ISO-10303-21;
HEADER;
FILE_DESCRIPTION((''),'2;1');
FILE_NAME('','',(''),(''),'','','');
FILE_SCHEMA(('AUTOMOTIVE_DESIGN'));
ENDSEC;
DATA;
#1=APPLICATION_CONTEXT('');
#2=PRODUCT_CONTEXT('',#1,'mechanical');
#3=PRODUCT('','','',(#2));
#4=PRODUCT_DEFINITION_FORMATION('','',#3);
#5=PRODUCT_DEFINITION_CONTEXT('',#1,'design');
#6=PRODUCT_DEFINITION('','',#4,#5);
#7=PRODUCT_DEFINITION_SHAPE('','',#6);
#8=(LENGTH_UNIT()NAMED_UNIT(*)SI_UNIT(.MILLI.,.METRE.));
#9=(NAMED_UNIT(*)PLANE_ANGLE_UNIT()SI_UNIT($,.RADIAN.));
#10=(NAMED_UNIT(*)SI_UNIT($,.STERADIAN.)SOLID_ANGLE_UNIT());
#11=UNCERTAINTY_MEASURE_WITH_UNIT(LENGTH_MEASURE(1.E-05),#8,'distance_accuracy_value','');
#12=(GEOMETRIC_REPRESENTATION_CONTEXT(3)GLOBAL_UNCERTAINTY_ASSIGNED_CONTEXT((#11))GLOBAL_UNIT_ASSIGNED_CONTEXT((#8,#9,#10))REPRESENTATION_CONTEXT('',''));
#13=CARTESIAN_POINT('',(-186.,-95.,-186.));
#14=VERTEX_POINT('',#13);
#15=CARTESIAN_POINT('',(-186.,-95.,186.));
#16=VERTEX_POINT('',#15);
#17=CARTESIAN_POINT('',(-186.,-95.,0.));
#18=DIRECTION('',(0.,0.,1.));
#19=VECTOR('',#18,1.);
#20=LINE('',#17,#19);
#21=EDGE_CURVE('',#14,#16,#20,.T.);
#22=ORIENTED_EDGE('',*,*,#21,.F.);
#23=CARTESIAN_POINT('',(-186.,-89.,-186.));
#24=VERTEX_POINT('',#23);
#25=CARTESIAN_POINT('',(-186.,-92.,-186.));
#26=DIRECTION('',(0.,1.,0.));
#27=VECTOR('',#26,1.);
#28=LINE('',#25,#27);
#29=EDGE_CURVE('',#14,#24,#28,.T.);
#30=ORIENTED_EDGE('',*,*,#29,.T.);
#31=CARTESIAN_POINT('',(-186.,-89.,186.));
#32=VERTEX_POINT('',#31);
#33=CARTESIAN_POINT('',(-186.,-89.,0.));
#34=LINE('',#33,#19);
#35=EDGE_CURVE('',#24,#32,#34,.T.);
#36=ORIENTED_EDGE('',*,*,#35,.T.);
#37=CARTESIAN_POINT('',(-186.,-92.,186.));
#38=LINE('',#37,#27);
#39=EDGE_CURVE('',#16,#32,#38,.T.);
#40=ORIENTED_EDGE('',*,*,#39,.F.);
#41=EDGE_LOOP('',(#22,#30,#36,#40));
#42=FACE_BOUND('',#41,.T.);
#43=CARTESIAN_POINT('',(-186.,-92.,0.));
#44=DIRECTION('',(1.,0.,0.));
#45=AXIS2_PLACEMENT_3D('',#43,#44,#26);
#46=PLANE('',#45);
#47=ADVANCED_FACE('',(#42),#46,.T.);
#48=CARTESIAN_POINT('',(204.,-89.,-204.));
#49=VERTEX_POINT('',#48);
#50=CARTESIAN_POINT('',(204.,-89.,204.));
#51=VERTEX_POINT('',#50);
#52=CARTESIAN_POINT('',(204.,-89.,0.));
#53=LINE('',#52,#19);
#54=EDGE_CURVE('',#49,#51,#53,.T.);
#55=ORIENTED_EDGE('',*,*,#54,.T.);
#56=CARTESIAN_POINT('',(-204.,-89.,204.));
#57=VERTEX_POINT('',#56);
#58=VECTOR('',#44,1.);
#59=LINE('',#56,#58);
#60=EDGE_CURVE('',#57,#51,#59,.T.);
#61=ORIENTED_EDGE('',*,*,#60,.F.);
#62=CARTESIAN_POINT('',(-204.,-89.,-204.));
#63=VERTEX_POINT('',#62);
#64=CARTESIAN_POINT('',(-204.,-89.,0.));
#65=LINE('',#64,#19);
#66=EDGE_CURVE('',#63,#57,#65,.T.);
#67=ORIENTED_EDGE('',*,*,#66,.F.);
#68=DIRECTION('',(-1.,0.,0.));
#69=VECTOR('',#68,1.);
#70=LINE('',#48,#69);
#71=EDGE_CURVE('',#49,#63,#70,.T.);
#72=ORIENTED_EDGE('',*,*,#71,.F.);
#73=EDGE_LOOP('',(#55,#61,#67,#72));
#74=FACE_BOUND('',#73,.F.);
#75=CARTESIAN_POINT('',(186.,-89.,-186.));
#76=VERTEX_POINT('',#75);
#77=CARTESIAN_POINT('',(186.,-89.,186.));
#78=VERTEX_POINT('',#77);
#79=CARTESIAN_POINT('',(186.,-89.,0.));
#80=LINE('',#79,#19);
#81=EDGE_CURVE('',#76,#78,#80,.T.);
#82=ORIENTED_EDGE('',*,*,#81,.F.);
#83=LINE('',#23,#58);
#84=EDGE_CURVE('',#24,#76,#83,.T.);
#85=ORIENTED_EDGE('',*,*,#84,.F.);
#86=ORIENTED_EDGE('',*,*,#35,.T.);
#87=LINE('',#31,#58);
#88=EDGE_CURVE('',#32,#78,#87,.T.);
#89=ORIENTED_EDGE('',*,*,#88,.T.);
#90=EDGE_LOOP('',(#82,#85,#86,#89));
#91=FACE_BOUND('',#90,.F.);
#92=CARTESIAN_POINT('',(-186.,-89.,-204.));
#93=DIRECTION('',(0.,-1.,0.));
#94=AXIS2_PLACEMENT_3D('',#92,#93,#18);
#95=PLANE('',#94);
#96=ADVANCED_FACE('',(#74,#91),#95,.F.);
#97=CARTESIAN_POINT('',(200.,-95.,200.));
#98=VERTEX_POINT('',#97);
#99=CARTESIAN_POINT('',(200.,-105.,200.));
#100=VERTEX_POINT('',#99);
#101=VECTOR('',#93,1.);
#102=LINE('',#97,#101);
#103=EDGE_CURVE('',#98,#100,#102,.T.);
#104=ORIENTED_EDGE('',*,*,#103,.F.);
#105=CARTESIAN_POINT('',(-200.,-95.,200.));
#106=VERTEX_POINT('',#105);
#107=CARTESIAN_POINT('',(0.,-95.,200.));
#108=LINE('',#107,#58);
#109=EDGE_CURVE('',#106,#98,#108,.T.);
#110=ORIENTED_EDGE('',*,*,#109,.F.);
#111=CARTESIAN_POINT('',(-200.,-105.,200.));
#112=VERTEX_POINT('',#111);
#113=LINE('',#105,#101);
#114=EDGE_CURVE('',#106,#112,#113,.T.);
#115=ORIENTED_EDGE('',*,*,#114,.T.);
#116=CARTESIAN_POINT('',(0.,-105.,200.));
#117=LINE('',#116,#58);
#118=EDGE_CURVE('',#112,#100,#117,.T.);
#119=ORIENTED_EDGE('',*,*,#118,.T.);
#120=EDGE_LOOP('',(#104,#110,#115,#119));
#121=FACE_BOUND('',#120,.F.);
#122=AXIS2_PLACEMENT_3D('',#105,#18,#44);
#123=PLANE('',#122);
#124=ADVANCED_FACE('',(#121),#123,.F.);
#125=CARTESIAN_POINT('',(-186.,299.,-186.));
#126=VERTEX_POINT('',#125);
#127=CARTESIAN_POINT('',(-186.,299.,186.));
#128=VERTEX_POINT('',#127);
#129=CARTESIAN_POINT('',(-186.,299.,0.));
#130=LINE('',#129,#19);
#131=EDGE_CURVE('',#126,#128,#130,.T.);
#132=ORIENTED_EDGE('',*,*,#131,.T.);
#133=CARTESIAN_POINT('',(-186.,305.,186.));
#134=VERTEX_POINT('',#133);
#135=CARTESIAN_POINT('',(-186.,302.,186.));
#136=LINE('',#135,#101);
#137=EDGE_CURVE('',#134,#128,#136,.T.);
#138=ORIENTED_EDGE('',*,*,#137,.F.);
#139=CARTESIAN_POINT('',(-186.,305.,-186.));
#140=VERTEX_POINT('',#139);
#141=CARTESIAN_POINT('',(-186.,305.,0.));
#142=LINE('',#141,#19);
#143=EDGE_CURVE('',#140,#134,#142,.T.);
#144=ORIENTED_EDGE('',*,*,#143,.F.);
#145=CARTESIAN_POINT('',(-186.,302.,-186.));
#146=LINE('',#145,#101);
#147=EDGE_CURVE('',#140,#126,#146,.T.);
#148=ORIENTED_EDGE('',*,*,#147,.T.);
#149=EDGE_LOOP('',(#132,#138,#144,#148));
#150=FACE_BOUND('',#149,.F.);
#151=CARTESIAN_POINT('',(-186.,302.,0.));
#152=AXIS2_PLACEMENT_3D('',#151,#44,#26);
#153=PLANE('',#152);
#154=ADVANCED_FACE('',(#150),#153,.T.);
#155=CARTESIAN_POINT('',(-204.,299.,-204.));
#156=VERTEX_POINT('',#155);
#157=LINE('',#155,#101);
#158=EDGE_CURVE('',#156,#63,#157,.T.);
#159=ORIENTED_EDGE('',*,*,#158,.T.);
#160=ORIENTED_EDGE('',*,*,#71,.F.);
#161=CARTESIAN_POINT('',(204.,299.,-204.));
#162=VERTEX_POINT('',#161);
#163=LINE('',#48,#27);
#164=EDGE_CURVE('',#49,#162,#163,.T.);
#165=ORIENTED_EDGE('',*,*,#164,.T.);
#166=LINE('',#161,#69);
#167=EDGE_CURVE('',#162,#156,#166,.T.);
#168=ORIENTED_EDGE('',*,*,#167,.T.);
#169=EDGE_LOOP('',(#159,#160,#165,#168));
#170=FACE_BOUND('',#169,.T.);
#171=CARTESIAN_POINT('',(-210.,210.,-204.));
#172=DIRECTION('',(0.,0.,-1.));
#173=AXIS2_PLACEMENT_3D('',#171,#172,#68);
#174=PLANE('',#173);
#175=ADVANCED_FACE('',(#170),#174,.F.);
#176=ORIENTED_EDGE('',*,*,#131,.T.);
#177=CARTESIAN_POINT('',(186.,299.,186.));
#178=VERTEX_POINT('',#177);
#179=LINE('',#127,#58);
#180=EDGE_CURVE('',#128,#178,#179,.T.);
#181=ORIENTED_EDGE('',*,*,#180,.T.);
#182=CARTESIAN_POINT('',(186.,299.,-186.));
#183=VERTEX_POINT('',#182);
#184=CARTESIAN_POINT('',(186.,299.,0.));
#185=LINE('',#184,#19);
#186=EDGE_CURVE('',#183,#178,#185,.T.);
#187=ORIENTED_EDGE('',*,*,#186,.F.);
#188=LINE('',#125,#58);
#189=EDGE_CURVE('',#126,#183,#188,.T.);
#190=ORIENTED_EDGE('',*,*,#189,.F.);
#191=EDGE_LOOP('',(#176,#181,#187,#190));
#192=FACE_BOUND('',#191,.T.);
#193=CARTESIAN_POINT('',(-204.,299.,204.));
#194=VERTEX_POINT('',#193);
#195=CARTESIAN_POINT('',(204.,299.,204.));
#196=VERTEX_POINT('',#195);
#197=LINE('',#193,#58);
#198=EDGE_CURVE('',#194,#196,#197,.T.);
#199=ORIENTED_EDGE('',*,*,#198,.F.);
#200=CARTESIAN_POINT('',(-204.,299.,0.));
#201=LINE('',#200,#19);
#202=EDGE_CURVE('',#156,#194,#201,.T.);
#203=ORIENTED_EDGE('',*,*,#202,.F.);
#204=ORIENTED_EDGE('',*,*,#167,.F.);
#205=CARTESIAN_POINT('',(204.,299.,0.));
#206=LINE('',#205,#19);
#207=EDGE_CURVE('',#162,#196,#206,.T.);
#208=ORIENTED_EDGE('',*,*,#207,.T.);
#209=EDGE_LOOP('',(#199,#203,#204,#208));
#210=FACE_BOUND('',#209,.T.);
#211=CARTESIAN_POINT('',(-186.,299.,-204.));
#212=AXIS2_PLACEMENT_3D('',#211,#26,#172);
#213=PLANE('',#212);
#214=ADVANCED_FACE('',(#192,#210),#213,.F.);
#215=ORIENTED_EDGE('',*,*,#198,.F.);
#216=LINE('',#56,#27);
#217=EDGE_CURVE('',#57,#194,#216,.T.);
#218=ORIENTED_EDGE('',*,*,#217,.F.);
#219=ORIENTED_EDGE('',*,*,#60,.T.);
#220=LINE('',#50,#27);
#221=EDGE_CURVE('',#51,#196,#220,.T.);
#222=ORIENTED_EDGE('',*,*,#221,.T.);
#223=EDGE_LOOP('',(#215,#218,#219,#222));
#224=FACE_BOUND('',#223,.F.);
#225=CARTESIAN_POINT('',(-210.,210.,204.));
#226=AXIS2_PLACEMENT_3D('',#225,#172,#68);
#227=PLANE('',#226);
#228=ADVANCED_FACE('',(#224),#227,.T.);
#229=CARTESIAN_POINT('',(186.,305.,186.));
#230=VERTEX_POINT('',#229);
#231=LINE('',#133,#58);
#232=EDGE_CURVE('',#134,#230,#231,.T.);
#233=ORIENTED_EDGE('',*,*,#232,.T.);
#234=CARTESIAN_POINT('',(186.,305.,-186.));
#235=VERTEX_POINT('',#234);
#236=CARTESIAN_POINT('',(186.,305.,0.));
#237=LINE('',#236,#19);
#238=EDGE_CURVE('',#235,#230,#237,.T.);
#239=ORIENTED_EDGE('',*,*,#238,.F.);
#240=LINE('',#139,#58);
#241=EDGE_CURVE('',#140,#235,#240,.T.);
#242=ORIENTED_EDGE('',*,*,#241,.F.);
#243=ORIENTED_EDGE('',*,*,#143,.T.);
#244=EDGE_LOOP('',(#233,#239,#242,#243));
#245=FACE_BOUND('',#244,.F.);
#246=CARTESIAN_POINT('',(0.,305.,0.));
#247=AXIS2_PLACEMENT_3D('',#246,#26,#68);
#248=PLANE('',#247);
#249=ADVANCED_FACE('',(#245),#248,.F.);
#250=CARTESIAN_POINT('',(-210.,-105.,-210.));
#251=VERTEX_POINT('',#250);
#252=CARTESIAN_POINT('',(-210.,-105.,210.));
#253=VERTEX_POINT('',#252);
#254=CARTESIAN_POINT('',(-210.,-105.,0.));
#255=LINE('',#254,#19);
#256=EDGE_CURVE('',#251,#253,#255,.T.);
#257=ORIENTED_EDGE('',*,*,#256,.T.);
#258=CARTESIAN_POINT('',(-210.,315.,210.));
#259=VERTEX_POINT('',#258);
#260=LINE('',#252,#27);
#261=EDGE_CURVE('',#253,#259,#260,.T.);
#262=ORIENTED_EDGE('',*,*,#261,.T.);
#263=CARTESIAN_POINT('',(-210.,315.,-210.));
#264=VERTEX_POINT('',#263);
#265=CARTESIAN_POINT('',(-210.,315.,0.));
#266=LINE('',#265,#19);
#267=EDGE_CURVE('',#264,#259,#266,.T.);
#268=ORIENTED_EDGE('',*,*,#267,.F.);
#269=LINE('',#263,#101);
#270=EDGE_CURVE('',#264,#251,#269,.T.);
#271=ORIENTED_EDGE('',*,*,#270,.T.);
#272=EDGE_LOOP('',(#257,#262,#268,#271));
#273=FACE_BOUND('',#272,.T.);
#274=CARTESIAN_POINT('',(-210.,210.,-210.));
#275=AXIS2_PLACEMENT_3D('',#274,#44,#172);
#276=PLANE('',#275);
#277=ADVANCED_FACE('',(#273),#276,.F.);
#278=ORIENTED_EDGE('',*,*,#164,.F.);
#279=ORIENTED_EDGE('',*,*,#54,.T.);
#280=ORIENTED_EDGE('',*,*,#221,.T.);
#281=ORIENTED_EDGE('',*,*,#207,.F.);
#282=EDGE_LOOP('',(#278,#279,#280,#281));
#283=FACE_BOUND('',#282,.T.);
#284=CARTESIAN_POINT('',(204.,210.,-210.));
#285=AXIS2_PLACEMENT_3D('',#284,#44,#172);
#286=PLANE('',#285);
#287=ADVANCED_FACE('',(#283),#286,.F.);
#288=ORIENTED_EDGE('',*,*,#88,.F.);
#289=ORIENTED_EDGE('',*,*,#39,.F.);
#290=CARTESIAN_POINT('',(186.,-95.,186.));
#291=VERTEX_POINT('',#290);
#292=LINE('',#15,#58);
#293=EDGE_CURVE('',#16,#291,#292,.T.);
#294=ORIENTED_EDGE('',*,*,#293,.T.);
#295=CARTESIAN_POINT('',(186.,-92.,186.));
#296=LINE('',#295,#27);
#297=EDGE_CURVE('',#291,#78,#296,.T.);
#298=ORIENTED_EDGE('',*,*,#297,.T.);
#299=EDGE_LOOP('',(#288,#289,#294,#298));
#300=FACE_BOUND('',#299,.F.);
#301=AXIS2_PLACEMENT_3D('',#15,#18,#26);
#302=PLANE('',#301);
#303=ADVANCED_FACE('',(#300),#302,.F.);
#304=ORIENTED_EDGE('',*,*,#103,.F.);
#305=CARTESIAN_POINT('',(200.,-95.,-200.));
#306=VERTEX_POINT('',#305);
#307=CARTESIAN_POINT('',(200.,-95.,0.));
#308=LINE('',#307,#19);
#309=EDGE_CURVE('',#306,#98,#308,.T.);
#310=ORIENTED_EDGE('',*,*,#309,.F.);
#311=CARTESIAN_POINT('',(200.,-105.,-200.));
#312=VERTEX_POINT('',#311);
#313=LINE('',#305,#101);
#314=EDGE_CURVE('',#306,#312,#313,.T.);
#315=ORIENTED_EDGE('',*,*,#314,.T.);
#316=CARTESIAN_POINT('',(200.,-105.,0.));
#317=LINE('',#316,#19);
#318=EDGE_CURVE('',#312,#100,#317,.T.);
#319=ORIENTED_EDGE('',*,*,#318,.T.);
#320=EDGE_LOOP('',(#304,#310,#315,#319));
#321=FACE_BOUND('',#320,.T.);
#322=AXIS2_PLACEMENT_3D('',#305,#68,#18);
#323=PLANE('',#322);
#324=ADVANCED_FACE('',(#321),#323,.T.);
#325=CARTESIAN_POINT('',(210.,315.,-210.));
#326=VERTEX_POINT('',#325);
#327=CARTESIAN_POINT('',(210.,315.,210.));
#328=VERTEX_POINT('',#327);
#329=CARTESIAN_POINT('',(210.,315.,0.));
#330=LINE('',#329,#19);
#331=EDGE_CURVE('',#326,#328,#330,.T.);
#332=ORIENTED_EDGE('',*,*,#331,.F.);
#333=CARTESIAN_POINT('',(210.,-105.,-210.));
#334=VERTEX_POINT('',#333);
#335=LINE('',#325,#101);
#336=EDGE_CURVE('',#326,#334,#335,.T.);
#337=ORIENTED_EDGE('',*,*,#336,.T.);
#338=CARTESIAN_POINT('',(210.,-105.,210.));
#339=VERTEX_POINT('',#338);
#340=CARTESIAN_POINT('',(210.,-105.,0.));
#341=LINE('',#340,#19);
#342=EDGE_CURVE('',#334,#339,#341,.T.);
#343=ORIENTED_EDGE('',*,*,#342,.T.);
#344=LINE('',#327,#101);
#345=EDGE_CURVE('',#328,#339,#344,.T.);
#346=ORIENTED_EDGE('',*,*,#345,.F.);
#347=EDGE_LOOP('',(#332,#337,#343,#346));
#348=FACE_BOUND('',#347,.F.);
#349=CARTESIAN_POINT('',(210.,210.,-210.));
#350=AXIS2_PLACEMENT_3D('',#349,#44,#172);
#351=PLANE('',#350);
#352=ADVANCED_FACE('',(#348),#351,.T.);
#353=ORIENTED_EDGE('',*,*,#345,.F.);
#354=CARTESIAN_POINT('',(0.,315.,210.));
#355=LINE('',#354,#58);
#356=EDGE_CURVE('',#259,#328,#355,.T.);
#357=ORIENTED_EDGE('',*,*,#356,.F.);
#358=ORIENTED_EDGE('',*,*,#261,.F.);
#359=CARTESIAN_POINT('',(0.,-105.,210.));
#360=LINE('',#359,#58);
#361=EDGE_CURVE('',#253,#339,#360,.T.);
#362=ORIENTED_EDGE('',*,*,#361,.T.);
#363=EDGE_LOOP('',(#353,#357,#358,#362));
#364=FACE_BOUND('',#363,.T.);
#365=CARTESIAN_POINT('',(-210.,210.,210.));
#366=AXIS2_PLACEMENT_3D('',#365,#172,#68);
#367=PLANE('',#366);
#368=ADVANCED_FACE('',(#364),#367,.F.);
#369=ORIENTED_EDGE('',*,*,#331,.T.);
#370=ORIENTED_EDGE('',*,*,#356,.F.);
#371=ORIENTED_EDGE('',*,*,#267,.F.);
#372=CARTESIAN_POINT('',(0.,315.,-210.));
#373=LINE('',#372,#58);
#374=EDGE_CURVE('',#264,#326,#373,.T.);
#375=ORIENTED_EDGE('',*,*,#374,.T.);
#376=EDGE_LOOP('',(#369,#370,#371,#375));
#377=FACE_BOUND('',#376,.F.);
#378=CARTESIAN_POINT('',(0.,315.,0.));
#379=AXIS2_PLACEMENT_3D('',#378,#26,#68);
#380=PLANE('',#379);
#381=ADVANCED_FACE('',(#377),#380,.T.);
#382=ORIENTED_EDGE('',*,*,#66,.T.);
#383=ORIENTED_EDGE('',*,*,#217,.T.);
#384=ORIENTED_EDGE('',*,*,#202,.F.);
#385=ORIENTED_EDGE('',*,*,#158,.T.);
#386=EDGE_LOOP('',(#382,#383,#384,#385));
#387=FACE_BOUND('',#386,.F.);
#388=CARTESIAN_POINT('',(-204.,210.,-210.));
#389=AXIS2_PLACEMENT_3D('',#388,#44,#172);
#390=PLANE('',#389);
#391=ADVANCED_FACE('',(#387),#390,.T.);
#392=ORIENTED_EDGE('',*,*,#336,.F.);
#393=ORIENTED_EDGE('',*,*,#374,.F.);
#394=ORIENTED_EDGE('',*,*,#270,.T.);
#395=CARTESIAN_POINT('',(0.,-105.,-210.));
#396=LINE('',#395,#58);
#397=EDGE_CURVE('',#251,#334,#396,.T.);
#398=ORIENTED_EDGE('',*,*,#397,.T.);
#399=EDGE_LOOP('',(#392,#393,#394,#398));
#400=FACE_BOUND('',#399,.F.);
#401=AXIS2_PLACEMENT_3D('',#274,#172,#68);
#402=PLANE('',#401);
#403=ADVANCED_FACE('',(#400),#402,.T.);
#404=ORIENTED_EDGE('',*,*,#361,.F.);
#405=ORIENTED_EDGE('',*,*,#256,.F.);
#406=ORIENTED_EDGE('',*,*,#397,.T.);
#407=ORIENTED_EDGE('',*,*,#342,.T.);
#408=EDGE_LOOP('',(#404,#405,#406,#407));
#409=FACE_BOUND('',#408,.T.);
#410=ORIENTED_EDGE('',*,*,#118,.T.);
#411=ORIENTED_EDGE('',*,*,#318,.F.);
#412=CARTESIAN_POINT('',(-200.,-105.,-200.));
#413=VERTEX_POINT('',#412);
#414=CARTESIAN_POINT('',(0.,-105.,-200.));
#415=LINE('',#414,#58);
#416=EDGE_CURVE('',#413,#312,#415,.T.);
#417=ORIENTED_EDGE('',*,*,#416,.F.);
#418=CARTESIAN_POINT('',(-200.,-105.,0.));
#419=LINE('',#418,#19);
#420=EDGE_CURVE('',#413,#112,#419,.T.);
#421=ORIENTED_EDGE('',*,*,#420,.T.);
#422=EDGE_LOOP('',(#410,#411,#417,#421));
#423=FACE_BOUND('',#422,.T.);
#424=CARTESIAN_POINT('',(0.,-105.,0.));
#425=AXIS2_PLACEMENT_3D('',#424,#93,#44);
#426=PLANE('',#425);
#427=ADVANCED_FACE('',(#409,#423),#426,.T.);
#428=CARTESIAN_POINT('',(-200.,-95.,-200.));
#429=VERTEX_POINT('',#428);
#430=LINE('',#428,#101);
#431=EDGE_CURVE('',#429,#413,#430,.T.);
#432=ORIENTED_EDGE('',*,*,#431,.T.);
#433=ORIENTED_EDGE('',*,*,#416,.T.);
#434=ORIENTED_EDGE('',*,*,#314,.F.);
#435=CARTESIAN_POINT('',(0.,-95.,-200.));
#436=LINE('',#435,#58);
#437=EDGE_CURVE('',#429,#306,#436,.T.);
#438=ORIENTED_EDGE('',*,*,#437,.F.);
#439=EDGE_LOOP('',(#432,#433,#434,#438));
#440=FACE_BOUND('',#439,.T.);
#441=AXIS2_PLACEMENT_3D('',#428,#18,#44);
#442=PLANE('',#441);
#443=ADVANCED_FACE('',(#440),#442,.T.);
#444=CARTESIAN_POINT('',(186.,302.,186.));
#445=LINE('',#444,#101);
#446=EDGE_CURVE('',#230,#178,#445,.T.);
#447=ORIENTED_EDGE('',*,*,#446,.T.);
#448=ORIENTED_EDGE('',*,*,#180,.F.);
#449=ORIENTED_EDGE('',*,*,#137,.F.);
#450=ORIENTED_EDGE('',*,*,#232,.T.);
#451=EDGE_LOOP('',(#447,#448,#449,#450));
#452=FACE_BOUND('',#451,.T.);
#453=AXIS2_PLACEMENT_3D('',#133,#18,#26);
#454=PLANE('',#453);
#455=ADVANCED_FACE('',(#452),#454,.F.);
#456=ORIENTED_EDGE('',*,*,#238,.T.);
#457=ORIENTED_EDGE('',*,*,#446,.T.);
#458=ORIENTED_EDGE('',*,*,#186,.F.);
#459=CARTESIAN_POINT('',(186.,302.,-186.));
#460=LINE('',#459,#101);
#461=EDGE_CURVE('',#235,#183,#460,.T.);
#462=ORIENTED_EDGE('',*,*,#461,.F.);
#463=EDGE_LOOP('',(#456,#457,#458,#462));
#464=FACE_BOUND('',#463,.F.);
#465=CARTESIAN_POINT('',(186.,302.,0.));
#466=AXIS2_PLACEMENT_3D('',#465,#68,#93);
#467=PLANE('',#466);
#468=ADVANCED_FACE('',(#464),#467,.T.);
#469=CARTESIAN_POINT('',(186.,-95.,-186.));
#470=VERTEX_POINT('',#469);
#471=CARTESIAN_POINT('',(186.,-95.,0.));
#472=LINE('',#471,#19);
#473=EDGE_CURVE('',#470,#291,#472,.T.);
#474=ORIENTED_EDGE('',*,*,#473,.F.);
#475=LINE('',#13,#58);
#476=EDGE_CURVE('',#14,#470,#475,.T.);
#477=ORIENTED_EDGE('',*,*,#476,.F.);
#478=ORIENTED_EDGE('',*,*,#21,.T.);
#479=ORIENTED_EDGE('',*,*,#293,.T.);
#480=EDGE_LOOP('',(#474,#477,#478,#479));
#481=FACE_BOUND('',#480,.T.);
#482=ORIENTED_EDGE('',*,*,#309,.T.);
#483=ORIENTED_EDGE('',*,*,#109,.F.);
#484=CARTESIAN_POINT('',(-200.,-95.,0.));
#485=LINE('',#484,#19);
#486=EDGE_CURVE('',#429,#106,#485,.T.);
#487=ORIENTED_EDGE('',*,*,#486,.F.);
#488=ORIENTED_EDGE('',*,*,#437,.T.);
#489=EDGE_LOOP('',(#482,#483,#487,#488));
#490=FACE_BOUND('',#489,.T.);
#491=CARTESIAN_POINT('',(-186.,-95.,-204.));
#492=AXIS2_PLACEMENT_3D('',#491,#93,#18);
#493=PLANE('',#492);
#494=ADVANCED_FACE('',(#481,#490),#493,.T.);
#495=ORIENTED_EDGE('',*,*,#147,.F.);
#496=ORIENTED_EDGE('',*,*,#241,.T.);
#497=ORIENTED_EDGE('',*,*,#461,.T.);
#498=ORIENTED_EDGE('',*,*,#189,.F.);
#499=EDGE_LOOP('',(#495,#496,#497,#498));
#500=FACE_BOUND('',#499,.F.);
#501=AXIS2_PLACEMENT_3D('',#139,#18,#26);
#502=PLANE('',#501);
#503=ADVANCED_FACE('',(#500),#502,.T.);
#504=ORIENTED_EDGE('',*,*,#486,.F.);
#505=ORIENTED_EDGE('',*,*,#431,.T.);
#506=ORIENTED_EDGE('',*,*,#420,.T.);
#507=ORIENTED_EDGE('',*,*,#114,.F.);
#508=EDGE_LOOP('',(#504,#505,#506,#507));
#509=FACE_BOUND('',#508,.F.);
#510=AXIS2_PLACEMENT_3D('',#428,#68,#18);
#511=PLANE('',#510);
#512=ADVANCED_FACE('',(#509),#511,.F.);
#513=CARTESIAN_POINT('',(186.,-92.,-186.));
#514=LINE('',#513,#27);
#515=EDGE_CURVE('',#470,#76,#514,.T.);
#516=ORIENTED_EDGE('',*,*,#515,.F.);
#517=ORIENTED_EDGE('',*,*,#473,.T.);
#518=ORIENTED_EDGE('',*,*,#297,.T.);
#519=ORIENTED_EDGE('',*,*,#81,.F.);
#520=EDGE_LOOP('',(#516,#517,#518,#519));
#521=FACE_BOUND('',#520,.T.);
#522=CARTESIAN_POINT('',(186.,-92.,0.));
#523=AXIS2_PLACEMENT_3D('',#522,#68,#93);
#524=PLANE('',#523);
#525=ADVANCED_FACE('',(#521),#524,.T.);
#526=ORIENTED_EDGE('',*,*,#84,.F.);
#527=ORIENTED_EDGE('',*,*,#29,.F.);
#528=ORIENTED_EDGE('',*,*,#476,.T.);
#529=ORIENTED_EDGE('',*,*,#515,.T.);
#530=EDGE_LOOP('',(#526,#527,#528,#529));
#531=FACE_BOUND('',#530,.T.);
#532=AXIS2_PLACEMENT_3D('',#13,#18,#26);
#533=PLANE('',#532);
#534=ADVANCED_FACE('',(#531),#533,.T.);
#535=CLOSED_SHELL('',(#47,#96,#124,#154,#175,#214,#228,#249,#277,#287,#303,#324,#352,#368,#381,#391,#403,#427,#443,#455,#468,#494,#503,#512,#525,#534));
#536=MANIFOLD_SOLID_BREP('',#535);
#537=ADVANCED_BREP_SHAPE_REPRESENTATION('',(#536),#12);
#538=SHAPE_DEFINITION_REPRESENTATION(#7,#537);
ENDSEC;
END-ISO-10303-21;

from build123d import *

# Parameters (mm, degrees)
F0_W      = 420
F0_H      = 420
F1_DEPTH  = 105
F2_T      = -6
F3_W      = 6
F3_H      = 408
F4_DEPTH  = 18
F5_W      = 6
F5_H      = 408
F6_DEPTH  = 18
F7_W      = 6
F7_H      = 18
F8_DEPTH  = 372
F9_W      = 6
F9_H      = 18
F10_DEPTH = 372
F11_W     = 408
F11_H     = 408
F11_W_2   = 400
F11_H_2   = 400
F12_DEPTH = 10
F14_DEPTH = 25.4
F15_W     = 400
F15_H     = 400
F16_DEPTH = 10


with BuildPart() as f1:
    # F0 (on Front) → F1 (new body, symmetric)
    with BuildSketch(Plane.XZ):
        Rectangle(F0_W, F0_H)
    extrude(amount=F1_DEPTH, both=True)

    # F2
    f2_openings = [f1.faces().sort_by_distance(p)[0] for p in [
        (0, -105, 0),
    ]]
    offset(amount=F2_T, openings=f2_openings)

    # F3 (on face) → F4 (join)
    with BuildSketch(Plane.YZ.offset(-204)):
        with Locations((-92, 0)):
            Rectangle(F3_W, F3_H)
    extrude(amount=F4_DEPTH)

    # F5 (on face) → F6 (join)
    with BuildSketch(Plane(origin=(204, 0, 0), x_dir=(0, -1, 0), z_dir=(-1, 0, 0))):
        with Locations((92, 0)):
            Rectangle(F5_W, F5_H)
    extrude(amount=F6_DEPTH)

    # F7 (on face) → F8 (join, through all)
    with BuildSketch(Plane.YZ.offset(-186)):
        with Locations((-92, 195)):
            Rectangle(F7_W, F7_H)
    extrude(amount=F8_DEPTH)

    # F9 (on face) → F10 (join, through all)
    with BuildSketch(Plane.YZ.offset(-186)):
        with Locations((-92, -195)):
            Rectangle(F9_W, F9_H)
    extrude(amount=F10_DEPTH)

    # F11 (on face) → F12 (join)
    with BuildSketch(Plane.XZ.offset(95)):
        Rectangle(F11_W, F11_H)
        Rectangle(F11_W_2, F11_H_2, mode=Mode.SUBTRACT)
    extrude(amount=F12_DEPTH)

    # F13: F1 across face


with BuildPart() as f1_1:
    add(f1.part)
    add(f1.part.mirror(Plane(origin=(0, 105, 0), x_dir=(1, 0, 0), z_dir=(0, 1, 0))))

    # F14 (cut): a face of the model
    f14_faces = [f1_1.faces().sort_by_distance(p)[0] for p in [
        (0, 111, 0),
    ]]
    extrude(f14_faces, amount=-F14_DEPTH, mode=Mode.SUBTRACT)

    # F15 (on face) → F16 (join)
    with BuildSketch(Plane(origin=(0, 305, 0), x_dir=(-1, 0, 0), z_dir=(0, 1, 0))):
        Rectangle(F15_W, F15_H)
    extrude(amount=F16_DEPTH)


solid = f1_1.part
